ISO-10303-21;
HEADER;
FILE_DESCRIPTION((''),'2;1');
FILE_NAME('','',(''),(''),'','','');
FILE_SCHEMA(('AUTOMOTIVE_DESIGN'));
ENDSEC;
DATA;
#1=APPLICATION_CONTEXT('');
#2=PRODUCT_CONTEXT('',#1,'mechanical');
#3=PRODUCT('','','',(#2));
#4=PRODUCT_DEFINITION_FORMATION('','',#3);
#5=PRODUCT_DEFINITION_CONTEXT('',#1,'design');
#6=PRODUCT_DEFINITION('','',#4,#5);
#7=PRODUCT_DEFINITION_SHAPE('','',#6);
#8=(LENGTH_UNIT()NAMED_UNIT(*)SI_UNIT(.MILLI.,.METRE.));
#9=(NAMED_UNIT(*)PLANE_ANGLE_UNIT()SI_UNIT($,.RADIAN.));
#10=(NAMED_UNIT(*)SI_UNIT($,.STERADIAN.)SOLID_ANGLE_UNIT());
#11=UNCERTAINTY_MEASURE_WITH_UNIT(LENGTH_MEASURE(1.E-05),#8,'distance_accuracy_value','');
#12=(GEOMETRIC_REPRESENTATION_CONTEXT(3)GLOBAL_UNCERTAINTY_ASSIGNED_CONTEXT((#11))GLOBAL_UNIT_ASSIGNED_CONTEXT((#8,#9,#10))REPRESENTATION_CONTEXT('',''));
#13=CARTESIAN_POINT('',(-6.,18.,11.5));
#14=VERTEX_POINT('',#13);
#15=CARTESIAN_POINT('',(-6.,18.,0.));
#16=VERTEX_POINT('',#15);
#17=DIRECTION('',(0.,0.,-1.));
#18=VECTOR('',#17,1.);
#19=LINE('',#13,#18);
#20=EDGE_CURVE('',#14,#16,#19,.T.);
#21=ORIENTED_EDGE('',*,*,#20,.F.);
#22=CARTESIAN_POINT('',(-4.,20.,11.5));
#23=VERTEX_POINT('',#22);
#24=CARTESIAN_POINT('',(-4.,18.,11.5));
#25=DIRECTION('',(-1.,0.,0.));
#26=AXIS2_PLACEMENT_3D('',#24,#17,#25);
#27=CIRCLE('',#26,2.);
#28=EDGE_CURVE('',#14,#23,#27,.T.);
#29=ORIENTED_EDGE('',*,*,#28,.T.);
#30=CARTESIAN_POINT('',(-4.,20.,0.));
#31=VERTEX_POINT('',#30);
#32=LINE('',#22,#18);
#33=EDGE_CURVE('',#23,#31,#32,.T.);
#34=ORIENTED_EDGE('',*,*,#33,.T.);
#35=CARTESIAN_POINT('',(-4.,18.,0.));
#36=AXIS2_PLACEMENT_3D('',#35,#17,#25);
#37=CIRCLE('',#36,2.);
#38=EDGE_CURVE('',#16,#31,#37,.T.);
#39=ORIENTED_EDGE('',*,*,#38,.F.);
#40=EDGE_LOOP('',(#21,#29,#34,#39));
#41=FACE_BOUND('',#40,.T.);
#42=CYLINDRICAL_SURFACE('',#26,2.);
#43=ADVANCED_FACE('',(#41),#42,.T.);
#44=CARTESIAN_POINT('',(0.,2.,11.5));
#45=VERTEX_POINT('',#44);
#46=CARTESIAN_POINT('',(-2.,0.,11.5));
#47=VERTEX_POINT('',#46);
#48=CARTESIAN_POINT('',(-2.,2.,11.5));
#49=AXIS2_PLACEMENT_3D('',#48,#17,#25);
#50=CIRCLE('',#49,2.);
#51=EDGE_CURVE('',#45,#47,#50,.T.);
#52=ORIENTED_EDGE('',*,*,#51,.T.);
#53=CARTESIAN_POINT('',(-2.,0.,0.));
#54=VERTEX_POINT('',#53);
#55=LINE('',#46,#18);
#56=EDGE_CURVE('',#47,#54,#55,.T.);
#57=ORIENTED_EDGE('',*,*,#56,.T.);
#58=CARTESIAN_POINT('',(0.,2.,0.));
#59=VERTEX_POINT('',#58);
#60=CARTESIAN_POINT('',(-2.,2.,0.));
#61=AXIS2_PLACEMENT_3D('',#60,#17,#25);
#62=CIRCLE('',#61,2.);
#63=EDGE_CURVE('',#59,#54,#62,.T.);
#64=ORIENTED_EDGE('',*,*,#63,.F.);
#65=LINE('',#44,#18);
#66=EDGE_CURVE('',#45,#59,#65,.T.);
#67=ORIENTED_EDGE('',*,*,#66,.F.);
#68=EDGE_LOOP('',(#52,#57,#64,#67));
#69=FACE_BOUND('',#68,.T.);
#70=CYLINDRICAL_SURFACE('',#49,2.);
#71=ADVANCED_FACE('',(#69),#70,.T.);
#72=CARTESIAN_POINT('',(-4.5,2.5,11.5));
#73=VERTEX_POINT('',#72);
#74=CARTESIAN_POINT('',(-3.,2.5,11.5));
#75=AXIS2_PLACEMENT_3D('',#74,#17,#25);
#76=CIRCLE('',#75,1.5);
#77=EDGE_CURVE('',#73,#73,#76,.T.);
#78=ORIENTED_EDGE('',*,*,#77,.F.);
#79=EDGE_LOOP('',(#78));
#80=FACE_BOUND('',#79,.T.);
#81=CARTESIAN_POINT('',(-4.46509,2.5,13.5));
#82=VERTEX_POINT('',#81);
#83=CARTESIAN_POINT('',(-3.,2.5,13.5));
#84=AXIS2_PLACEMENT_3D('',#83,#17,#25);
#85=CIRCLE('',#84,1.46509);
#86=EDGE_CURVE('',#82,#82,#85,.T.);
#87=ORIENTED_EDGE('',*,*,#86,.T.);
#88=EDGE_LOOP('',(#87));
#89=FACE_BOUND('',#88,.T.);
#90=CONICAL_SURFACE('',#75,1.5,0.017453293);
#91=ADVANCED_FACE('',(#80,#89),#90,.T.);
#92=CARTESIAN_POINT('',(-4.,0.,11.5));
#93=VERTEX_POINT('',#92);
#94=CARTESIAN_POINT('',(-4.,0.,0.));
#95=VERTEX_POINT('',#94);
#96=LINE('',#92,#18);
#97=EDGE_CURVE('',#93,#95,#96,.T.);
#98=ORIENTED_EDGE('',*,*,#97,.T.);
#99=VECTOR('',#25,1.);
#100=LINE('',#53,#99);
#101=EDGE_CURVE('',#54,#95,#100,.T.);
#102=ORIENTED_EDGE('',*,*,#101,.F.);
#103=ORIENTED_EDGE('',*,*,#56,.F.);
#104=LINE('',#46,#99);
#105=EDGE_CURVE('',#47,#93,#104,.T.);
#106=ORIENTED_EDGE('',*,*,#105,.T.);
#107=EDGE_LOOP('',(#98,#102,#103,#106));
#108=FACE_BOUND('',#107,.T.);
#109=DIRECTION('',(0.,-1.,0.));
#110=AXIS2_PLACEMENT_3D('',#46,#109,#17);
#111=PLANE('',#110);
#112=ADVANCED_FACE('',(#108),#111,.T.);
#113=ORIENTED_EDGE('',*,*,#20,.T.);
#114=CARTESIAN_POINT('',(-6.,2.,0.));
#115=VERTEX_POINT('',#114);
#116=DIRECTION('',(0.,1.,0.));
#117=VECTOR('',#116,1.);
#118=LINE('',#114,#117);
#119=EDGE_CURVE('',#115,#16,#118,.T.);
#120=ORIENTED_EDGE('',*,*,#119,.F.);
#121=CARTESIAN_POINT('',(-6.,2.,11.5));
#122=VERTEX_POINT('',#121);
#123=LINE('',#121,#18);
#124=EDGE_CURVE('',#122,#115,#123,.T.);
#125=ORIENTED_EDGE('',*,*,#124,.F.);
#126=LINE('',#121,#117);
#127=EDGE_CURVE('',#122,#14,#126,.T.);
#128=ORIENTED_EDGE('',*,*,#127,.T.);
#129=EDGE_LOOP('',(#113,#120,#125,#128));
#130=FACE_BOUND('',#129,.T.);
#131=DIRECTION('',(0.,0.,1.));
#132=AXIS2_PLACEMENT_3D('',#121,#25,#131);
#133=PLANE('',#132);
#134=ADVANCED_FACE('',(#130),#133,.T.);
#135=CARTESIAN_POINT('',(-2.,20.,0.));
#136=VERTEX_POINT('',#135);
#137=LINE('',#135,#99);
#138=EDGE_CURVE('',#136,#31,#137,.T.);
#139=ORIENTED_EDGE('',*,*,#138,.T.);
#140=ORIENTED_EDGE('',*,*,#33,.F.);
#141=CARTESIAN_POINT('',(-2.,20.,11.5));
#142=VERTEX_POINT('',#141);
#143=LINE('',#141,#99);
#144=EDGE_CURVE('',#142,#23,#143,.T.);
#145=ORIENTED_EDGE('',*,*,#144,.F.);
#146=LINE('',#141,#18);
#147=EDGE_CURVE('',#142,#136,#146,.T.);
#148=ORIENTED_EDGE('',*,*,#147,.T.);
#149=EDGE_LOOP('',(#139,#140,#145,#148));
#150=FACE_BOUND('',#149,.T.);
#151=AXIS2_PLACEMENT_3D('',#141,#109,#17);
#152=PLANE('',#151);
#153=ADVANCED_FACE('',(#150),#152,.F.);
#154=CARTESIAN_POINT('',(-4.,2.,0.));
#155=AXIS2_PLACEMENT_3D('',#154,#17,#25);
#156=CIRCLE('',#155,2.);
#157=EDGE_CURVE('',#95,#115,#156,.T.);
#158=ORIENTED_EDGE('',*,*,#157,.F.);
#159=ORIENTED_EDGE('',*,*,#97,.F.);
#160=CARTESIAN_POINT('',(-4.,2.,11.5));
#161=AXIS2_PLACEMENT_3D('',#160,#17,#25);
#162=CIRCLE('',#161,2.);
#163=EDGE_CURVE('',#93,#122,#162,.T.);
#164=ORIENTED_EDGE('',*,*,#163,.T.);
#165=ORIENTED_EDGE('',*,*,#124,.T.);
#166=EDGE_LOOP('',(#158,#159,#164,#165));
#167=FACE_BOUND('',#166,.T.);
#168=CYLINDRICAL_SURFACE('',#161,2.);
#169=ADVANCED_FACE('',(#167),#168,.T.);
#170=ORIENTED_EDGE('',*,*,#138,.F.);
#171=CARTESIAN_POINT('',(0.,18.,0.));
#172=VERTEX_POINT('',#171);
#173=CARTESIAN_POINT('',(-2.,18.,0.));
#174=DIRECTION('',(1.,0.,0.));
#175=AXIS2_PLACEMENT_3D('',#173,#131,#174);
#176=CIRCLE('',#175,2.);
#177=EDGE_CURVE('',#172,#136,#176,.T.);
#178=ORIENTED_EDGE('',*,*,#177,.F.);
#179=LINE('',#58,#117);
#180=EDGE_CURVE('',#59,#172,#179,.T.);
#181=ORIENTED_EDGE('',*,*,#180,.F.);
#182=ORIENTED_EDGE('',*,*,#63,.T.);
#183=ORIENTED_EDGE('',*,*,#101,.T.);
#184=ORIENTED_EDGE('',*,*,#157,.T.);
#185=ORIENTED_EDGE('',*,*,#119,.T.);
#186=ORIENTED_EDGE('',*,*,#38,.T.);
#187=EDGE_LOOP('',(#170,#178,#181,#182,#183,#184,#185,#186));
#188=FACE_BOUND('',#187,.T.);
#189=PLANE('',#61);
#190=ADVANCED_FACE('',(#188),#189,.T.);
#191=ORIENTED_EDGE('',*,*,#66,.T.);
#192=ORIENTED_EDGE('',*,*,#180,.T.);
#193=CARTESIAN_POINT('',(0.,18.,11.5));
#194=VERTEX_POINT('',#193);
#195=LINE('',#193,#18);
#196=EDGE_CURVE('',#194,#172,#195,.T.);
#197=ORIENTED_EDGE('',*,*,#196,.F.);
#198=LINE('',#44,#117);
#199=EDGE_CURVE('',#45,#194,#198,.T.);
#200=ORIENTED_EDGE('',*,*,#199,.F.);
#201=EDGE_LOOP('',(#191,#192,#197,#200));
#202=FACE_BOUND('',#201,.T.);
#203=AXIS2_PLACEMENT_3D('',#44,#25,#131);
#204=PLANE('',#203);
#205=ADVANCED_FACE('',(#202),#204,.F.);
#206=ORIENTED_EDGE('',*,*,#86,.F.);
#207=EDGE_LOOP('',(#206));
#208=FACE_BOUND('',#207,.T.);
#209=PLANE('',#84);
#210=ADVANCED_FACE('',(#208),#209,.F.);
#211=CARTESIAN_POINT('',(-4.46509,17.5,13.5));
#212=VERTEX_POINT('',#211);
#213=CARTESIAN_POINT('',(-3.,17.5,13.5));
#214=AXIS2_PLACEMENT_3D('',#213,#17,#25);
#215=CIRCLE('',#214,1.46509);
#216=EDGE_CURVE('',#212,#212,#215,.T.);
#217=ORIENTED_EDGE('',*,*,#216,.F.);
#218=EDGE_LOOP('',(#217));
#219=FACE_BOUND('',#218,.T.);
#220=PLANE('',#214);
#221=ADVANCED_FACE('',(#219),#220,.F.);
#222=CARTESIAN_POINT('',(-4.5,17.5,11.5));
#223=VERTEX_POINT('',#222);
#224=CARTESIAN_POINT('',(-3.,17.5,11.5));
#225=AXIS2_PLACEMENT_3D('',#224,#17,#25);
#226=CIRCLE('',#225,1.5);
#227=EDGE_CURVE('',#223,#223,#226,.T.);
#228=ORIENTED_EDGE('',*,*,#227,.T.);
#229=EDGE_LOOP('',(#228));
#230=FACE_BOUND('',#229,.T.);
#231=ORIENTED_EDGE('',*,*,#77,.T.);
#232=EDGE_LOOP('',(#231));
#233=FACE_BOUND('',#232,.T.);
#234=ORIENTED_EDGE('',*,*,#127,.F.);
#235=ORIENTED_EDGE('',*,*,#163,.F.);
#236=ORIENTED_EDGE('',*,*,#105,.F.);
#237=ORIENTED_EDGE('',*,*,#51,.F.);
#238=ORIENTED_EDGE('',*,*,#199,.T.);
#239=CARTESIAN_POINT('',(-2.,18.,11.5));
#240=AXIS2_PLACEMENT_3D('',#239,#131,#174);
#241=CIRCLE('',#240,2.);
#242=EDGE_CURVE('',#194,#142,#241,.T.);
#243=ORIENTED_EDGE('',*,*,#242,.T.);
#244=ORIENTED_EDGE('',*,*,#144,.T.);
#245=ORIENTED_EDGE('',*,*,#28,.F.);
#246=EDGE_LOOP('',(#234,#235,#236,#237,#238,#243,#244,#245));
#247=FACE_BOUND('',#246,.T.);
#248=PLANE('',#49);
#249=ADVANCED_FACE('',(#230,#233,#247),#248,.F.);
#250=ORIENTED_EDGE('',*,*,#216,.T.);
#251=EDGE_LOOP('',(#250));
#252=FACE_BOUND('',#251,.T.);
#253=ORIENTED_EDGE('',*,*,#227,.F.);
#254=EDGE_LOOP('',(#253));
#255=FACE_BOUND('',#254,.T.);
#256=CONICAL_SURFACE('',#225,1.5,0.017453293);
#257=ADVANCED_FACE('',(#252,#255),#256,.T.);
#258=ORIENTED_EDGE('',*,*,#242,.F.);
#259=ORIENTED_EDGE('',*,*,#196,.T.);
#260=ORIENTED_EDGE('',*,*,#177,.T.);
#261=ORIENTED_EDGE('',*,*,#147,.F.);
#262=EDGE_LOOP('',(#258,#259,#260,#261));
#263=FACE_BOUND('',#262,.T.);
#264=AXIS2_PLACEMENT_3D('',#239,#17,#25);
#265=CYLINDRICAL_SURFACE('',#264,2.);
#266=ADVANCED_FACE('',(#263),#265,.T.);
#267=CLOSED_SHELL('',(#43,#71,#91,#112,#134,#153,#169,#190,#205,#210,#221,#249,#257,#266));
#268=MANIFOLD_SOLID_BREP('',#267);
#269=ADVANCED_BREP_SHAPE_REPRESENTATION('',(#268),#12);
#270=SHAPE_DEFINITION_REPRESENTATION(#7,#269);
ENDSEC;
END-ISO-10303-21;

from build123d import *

# Parameters (mm, degrees)
BOSS_EXTRUDE1_DEPTH           = 11.5
BOSS_EXTRUDE2_START           = 11.5
SKETCH1_3_R                   = 1.5
BOSS_EXTRUDE2_DEPTH           = 2
BOSS_EXTRUDE2_DRAFT           = 1
BOSS_EXTRUDE2_PROFILE_2_DEPTH = 2
BOSS_EXTRUDE2_PROFILE_2_DRAFT = 1


with BuildPart() as part:
    # Sketch1 → Boss-Extrude1 (new body)
    with BuildSketch(Plane(origin=(0, 0, 0), x_dir=(0, 1, 0), z_dir=(0, 0, 1))):
        with BuildLine():
            Line((2, 0), (18, 0))
            ThreePointArc((18, 0), (19.414213562, 0.585786438), (20, 2))
            Line((20, 2), (20, 4))
            ThreePointArc((20, 4), (19.414213562, 5.414213562), (18, 6))
            Line((18, 6), (2, 6))
            ThreePointArc((2, 6), (0.585786438, 5.414213562), (0, 4))
            Line((0, 4), (0, 2))
            ThreePointArc((0, 2), (0.585786438, 0.585786438), (2, 0))
        make_face()
    extrude(amount=BOSS_EXTRUDE1_DEPTH)


with BuildPart() as boss_extrude2_tool:
    # Sketch1<3> → Boss-Extrude2 (with draft: the straight prism first)
    with BuildSketch(Plane(origin=(0, 0, 0), x_dir=(0, 1, 0), z_dir=(0, 0, 1)).offset(BOSS_EXTRUDE2_START)):
        with Locations((2.5, 3)):
            Circle(SKETCH1_3_R)
    extrude(amount=BOSS_EXTRUDE2_DEPTH)
    # Boss-Extrude2: the draft: its side faces are tilted about the plane it starts from
    boss_extrude2_sides = [boss_extrude2_tool.faces().sort_by_distance(p)[0] for p in [
        (-3, 1, 12.5),
    ]]
    draft(boss_extrude2_sides, Plane(origin=(0, 0, 0), x_dir=(0, 1, 0), z_dir=(0, 0, 1)).offset(BOSS_EXTRUDE2_START), BOSS_EXTRUDE2_DRAFT)


with BuildPart() as part_1:
    add(part.part)

    # Boss-Extrude2: add boss_extrude2_tool
    add(boss_extrude2_tool.part)


with BuildPart() as boss_extrude2_profile_2_tool:
    # Sketch1<3> → Boss-Extrude2 profile 2 (with draft: the straight prism first)
    with BuildSketch(Plane(origin=(0, 0, 0), x_dir=(0, 1, 0), z_dir=(0, 0, 1)).offset(BOSS_EXTRUDE2_START)):
        with Locations((17.5, 3)):
            Circle(SKETCH1_3_R)
    extrude(amount=BOSS_EXTRUDE2_PROFILE_2_DEPTH)
    # Boss-Extrude2 profile 2: the draft: its side faces are tilted about the plane it starts from
    boss_extrude2_profile_2_sides = [boss_extrude2_profile_2_tool.faces().sort_by_distance(p)[0] for p in [
        (-3, 16, 12.5),
    ]]
    draft(boss_extrude2_profile_2_sides, Plane(origin=(0, 0, 0), x_dir=(0, 1, 0), z_dir=(0, 0, 1)).offset(BOSS_EXTRUDE2_START), BOSS_EXTRUDE2_PROFILE_2_DRAFT)


with BuildPart() as part_2:
    add(part_1.part)

    # Boss-Extrude2 profile 2: add boss_extrude2_profile_2_tool
    add(boss_extrude2_profile_2_tool.part)


solid = part_2.part
